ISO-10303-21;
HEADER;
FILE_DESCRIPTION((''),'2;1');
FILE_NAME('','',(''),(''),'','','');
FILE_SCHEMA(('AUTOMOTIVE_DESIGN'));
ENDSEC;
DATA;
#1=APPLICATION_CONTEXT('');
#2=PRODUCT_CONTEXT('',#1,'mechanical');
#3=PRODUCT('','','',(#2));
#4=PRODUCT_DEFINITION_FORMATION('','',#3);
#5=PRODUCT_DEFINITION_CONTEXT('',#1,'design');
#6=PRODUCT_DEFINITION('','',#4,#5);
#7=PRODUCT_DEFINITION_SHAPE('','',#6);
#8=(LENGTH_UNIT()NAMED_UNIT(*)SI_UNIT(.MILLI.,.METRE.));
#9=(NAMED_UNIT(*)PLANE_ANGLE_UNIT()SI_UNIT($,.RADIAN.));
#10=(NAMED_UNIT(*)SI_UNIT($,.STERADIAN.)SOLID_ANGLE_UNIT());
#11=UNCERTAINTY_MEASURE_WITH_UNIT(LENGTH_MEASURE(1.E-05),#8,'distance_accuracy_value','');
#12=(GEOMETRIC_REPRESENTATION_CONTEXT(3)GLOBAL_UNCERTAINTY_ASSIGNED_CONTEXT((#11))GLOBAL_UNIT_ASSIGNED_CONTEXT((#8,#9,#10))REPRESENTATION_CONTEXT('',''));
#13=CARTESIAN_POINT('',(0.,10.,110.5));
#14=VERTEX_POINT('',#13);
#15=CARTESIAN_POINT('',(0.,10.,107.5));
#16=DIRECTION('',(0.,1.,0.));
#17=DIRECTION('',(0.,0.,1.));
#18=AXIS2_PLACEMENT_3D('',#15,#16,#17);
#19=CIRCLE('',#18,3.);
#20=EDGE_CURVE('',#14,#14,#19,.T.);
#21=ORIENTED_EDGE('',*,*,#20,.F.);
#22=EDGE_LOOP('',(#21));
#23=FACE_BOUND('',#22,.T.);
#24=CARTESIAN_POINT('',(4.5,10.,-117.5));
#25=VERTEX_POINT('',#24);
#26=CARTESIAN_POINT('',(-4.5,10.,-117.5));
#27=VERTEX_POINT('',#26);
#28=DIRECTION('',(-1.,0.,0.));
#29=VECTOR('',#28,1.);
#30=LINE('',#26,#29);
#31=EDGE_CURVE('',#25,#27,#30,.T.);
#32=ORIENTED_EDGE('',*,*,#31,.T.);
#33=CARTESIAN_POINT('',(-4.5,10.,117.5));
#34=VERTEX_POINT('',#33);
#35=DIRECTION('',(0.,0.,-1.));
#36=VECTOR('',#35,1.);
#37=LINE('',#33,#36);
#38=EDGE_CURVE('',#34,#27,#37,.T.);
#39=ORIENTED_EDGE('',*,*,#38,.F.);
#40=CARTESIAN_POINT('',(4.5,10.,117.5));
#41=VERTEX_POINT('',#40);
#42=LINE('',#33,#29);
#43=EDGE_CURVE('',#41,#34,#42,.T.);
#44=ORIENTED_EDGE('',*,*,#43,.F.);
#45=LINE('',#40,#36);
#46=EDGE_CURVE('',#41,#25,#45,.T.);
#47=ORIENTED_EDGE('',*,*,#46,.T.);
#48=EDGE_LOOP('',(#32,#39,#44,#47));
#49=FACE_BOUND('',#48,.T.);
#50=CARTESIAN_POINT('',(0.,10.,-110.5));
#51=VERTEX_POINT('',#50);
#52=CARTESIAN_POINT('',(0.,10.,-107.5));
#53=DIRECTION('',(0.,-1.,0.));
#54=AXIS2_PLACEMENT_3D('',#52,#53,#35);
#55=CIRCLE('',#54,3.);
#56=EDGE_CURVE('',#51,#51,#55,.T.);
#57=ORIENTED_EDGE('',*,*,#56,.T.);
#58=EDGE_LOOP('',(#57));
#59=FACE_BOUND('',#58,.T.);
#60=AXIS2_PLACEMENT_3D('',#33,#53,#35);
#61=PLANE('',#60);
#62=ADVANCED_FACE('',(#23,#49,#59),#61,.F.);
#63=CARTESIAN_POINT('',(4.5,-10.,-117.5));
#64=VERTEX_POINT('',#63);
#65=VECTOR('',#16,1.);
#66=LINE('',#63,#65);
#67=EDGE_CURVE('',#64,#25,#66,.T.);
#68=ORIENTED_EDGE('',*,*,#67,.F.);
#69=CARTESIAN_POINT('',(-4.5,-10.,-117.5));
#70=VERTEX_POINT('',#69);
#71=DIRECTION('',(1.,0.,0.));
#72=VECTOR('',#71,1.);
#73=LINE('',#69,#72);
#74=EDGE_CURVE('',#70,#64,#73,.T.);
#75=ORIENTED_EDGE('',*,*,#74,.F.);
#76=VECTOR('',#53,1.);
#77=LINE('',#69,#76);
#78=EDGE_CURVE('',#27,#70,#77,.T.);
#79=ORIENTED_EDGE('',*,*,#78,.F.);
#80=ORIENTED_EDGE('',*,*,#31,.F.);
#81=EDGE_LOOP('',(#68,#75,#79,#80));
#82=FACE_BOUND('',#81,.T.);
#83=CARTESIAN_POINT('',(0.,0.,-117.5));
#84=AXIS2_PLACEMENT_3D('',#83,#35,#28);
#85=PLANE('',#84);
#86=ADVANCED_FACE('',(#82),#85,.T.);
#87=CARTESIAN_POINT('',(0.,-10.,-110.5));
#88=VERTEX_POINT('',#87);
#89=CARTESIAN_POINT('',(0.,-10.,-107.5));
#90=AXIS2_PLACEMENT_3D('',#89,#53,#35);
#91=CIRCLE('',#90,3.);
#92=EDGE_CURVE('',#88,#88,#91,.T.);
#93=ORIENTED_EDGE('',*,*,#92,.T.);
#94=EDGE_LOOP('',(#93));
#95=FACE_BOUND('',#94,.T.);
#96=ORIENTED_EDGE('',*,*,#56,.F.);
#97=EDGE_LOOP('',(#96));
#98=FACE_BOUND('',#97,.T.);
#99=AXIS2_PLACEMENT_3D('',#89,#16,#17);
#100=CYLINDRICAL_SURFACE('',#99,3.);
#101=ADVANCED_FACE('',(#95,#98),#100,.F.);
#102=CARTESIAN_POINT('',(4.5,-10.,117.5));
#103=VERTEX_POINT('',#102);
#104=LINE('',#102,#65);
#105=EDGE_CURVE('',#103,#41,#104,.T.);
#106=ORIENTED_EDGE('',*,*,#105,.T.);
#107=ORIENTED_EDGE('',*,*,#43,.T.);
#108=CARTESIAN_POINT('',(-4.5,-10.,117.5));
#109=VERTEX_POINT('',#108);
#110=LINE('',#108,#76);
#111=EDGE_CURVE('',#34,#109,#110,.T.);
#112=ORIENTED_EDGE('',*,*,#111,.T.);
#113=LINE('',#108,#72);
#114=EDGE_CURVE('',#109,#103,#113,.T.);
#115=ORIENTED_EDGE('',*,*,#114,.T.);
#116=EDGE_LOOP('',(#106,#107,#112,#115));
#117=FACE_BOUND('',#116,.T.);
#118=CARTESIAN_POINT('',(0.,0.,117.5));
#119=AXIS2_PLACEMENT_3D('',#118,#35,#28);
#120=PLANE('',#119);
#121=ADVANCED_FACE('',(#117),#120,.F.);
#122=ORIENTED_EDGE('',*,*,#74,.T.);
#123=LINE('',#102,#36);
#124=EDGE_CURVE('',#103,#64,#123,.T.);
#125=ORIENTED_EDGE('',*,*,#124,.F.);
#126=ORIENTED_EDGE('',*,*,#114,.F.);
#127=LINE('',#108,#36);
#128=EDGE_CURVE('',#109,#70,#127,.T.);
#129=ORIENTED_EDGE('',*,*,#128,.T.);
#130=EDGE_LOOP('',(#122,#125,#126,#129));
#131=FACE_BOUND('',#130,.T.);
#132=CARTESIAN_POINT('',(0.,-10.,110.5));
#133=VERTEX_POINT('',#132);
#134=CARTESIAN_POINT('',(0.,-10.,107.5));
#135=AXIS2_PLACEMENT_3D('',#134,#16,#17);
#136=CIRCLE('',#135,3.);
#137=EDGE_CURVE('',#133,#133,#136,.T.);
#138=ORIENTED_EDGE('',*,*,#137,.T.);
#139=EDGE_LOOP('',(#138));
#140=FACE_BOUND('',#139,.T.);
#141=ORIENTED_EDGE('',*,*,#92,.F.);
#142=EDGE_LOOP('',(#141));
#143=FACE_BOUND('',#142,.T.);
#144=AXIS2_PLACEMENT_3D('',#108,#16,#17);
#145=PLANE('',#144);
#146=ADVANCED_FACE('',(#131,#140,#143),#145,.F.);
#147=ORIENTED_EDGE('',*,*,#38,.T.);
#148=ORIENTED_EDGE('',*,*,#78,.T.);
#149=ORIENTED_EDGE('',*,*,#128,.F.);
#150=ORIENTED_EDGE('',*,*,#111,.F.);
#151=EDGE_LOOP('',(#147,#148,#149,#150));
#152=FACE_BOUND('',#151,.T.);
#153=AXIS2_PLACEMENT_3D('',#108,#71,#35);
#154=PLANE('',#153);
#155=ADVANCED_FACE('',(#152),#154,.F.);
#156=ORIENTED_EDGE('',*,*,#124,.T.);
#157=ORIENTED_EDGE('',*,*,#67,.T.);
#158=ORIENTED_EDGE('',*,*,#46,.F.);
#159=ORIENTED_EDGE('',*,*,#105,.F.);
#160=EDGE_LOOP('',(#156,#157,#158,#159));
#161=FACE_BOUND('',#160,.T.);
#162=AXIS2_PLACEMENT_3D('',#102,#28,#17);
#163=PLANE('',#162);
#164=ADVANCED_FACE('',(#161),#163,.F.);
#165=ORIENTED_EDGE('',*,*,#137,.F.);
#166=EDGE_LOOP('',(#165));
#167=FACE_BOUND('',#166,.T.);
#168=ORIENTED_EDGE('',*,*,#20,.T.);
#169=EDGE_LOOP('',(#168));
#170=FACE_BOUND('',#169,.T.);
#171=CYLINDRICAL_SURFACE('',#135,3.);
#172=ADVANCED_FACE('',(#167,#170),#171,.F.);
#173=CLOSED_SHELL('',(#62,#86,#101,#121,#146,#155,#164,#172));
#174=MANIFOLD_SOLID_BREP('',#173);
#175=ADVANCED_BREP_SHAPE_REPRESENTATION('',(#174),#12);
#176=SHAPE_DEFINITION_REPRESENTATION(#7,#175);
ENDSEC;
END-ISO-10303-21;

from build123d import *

# Parameters (mm, degrees)
SKETCH1_W           = 9
SKETCH1_H           = 20
BOSS_EXTRUDE1_DEPTH = 117.5
SKETCH3_R           = 3
CUT_EXTRUDE2_DEPTH  = 21


with BuildPart() as part:
    # Sketch1 → Boss-Extrude1 (new body, symmetric)
    with BuildSketch(Plane.XY):
        Rectangle(SKETCH1_W, SKETCH1_H)
    extrude(amount=BOSS_EXTRUDE1_DEPTH, both=True)

    # Sketch3 → Cut-Extrude2 (cut, through all)
    with BuildSketch(Plane(origin=(0, 10, 0), x_dir=(1, 0, 0), z_dir=(0, 1, 0))):
        with Locations((0, -107.5)):
            Circle(SKETCH3_R)
    cut_extrude2 = extrude(amount=-CUT_EXTRUDE2_DEPTH, mode=Mode.SUBTRACT)

    # Mirror2: Cut-Extrude2 across plane
    add(cut_extrude2.mirror(Plane.XY), mode=Mode.SUBTRACT)


solid = part.part
